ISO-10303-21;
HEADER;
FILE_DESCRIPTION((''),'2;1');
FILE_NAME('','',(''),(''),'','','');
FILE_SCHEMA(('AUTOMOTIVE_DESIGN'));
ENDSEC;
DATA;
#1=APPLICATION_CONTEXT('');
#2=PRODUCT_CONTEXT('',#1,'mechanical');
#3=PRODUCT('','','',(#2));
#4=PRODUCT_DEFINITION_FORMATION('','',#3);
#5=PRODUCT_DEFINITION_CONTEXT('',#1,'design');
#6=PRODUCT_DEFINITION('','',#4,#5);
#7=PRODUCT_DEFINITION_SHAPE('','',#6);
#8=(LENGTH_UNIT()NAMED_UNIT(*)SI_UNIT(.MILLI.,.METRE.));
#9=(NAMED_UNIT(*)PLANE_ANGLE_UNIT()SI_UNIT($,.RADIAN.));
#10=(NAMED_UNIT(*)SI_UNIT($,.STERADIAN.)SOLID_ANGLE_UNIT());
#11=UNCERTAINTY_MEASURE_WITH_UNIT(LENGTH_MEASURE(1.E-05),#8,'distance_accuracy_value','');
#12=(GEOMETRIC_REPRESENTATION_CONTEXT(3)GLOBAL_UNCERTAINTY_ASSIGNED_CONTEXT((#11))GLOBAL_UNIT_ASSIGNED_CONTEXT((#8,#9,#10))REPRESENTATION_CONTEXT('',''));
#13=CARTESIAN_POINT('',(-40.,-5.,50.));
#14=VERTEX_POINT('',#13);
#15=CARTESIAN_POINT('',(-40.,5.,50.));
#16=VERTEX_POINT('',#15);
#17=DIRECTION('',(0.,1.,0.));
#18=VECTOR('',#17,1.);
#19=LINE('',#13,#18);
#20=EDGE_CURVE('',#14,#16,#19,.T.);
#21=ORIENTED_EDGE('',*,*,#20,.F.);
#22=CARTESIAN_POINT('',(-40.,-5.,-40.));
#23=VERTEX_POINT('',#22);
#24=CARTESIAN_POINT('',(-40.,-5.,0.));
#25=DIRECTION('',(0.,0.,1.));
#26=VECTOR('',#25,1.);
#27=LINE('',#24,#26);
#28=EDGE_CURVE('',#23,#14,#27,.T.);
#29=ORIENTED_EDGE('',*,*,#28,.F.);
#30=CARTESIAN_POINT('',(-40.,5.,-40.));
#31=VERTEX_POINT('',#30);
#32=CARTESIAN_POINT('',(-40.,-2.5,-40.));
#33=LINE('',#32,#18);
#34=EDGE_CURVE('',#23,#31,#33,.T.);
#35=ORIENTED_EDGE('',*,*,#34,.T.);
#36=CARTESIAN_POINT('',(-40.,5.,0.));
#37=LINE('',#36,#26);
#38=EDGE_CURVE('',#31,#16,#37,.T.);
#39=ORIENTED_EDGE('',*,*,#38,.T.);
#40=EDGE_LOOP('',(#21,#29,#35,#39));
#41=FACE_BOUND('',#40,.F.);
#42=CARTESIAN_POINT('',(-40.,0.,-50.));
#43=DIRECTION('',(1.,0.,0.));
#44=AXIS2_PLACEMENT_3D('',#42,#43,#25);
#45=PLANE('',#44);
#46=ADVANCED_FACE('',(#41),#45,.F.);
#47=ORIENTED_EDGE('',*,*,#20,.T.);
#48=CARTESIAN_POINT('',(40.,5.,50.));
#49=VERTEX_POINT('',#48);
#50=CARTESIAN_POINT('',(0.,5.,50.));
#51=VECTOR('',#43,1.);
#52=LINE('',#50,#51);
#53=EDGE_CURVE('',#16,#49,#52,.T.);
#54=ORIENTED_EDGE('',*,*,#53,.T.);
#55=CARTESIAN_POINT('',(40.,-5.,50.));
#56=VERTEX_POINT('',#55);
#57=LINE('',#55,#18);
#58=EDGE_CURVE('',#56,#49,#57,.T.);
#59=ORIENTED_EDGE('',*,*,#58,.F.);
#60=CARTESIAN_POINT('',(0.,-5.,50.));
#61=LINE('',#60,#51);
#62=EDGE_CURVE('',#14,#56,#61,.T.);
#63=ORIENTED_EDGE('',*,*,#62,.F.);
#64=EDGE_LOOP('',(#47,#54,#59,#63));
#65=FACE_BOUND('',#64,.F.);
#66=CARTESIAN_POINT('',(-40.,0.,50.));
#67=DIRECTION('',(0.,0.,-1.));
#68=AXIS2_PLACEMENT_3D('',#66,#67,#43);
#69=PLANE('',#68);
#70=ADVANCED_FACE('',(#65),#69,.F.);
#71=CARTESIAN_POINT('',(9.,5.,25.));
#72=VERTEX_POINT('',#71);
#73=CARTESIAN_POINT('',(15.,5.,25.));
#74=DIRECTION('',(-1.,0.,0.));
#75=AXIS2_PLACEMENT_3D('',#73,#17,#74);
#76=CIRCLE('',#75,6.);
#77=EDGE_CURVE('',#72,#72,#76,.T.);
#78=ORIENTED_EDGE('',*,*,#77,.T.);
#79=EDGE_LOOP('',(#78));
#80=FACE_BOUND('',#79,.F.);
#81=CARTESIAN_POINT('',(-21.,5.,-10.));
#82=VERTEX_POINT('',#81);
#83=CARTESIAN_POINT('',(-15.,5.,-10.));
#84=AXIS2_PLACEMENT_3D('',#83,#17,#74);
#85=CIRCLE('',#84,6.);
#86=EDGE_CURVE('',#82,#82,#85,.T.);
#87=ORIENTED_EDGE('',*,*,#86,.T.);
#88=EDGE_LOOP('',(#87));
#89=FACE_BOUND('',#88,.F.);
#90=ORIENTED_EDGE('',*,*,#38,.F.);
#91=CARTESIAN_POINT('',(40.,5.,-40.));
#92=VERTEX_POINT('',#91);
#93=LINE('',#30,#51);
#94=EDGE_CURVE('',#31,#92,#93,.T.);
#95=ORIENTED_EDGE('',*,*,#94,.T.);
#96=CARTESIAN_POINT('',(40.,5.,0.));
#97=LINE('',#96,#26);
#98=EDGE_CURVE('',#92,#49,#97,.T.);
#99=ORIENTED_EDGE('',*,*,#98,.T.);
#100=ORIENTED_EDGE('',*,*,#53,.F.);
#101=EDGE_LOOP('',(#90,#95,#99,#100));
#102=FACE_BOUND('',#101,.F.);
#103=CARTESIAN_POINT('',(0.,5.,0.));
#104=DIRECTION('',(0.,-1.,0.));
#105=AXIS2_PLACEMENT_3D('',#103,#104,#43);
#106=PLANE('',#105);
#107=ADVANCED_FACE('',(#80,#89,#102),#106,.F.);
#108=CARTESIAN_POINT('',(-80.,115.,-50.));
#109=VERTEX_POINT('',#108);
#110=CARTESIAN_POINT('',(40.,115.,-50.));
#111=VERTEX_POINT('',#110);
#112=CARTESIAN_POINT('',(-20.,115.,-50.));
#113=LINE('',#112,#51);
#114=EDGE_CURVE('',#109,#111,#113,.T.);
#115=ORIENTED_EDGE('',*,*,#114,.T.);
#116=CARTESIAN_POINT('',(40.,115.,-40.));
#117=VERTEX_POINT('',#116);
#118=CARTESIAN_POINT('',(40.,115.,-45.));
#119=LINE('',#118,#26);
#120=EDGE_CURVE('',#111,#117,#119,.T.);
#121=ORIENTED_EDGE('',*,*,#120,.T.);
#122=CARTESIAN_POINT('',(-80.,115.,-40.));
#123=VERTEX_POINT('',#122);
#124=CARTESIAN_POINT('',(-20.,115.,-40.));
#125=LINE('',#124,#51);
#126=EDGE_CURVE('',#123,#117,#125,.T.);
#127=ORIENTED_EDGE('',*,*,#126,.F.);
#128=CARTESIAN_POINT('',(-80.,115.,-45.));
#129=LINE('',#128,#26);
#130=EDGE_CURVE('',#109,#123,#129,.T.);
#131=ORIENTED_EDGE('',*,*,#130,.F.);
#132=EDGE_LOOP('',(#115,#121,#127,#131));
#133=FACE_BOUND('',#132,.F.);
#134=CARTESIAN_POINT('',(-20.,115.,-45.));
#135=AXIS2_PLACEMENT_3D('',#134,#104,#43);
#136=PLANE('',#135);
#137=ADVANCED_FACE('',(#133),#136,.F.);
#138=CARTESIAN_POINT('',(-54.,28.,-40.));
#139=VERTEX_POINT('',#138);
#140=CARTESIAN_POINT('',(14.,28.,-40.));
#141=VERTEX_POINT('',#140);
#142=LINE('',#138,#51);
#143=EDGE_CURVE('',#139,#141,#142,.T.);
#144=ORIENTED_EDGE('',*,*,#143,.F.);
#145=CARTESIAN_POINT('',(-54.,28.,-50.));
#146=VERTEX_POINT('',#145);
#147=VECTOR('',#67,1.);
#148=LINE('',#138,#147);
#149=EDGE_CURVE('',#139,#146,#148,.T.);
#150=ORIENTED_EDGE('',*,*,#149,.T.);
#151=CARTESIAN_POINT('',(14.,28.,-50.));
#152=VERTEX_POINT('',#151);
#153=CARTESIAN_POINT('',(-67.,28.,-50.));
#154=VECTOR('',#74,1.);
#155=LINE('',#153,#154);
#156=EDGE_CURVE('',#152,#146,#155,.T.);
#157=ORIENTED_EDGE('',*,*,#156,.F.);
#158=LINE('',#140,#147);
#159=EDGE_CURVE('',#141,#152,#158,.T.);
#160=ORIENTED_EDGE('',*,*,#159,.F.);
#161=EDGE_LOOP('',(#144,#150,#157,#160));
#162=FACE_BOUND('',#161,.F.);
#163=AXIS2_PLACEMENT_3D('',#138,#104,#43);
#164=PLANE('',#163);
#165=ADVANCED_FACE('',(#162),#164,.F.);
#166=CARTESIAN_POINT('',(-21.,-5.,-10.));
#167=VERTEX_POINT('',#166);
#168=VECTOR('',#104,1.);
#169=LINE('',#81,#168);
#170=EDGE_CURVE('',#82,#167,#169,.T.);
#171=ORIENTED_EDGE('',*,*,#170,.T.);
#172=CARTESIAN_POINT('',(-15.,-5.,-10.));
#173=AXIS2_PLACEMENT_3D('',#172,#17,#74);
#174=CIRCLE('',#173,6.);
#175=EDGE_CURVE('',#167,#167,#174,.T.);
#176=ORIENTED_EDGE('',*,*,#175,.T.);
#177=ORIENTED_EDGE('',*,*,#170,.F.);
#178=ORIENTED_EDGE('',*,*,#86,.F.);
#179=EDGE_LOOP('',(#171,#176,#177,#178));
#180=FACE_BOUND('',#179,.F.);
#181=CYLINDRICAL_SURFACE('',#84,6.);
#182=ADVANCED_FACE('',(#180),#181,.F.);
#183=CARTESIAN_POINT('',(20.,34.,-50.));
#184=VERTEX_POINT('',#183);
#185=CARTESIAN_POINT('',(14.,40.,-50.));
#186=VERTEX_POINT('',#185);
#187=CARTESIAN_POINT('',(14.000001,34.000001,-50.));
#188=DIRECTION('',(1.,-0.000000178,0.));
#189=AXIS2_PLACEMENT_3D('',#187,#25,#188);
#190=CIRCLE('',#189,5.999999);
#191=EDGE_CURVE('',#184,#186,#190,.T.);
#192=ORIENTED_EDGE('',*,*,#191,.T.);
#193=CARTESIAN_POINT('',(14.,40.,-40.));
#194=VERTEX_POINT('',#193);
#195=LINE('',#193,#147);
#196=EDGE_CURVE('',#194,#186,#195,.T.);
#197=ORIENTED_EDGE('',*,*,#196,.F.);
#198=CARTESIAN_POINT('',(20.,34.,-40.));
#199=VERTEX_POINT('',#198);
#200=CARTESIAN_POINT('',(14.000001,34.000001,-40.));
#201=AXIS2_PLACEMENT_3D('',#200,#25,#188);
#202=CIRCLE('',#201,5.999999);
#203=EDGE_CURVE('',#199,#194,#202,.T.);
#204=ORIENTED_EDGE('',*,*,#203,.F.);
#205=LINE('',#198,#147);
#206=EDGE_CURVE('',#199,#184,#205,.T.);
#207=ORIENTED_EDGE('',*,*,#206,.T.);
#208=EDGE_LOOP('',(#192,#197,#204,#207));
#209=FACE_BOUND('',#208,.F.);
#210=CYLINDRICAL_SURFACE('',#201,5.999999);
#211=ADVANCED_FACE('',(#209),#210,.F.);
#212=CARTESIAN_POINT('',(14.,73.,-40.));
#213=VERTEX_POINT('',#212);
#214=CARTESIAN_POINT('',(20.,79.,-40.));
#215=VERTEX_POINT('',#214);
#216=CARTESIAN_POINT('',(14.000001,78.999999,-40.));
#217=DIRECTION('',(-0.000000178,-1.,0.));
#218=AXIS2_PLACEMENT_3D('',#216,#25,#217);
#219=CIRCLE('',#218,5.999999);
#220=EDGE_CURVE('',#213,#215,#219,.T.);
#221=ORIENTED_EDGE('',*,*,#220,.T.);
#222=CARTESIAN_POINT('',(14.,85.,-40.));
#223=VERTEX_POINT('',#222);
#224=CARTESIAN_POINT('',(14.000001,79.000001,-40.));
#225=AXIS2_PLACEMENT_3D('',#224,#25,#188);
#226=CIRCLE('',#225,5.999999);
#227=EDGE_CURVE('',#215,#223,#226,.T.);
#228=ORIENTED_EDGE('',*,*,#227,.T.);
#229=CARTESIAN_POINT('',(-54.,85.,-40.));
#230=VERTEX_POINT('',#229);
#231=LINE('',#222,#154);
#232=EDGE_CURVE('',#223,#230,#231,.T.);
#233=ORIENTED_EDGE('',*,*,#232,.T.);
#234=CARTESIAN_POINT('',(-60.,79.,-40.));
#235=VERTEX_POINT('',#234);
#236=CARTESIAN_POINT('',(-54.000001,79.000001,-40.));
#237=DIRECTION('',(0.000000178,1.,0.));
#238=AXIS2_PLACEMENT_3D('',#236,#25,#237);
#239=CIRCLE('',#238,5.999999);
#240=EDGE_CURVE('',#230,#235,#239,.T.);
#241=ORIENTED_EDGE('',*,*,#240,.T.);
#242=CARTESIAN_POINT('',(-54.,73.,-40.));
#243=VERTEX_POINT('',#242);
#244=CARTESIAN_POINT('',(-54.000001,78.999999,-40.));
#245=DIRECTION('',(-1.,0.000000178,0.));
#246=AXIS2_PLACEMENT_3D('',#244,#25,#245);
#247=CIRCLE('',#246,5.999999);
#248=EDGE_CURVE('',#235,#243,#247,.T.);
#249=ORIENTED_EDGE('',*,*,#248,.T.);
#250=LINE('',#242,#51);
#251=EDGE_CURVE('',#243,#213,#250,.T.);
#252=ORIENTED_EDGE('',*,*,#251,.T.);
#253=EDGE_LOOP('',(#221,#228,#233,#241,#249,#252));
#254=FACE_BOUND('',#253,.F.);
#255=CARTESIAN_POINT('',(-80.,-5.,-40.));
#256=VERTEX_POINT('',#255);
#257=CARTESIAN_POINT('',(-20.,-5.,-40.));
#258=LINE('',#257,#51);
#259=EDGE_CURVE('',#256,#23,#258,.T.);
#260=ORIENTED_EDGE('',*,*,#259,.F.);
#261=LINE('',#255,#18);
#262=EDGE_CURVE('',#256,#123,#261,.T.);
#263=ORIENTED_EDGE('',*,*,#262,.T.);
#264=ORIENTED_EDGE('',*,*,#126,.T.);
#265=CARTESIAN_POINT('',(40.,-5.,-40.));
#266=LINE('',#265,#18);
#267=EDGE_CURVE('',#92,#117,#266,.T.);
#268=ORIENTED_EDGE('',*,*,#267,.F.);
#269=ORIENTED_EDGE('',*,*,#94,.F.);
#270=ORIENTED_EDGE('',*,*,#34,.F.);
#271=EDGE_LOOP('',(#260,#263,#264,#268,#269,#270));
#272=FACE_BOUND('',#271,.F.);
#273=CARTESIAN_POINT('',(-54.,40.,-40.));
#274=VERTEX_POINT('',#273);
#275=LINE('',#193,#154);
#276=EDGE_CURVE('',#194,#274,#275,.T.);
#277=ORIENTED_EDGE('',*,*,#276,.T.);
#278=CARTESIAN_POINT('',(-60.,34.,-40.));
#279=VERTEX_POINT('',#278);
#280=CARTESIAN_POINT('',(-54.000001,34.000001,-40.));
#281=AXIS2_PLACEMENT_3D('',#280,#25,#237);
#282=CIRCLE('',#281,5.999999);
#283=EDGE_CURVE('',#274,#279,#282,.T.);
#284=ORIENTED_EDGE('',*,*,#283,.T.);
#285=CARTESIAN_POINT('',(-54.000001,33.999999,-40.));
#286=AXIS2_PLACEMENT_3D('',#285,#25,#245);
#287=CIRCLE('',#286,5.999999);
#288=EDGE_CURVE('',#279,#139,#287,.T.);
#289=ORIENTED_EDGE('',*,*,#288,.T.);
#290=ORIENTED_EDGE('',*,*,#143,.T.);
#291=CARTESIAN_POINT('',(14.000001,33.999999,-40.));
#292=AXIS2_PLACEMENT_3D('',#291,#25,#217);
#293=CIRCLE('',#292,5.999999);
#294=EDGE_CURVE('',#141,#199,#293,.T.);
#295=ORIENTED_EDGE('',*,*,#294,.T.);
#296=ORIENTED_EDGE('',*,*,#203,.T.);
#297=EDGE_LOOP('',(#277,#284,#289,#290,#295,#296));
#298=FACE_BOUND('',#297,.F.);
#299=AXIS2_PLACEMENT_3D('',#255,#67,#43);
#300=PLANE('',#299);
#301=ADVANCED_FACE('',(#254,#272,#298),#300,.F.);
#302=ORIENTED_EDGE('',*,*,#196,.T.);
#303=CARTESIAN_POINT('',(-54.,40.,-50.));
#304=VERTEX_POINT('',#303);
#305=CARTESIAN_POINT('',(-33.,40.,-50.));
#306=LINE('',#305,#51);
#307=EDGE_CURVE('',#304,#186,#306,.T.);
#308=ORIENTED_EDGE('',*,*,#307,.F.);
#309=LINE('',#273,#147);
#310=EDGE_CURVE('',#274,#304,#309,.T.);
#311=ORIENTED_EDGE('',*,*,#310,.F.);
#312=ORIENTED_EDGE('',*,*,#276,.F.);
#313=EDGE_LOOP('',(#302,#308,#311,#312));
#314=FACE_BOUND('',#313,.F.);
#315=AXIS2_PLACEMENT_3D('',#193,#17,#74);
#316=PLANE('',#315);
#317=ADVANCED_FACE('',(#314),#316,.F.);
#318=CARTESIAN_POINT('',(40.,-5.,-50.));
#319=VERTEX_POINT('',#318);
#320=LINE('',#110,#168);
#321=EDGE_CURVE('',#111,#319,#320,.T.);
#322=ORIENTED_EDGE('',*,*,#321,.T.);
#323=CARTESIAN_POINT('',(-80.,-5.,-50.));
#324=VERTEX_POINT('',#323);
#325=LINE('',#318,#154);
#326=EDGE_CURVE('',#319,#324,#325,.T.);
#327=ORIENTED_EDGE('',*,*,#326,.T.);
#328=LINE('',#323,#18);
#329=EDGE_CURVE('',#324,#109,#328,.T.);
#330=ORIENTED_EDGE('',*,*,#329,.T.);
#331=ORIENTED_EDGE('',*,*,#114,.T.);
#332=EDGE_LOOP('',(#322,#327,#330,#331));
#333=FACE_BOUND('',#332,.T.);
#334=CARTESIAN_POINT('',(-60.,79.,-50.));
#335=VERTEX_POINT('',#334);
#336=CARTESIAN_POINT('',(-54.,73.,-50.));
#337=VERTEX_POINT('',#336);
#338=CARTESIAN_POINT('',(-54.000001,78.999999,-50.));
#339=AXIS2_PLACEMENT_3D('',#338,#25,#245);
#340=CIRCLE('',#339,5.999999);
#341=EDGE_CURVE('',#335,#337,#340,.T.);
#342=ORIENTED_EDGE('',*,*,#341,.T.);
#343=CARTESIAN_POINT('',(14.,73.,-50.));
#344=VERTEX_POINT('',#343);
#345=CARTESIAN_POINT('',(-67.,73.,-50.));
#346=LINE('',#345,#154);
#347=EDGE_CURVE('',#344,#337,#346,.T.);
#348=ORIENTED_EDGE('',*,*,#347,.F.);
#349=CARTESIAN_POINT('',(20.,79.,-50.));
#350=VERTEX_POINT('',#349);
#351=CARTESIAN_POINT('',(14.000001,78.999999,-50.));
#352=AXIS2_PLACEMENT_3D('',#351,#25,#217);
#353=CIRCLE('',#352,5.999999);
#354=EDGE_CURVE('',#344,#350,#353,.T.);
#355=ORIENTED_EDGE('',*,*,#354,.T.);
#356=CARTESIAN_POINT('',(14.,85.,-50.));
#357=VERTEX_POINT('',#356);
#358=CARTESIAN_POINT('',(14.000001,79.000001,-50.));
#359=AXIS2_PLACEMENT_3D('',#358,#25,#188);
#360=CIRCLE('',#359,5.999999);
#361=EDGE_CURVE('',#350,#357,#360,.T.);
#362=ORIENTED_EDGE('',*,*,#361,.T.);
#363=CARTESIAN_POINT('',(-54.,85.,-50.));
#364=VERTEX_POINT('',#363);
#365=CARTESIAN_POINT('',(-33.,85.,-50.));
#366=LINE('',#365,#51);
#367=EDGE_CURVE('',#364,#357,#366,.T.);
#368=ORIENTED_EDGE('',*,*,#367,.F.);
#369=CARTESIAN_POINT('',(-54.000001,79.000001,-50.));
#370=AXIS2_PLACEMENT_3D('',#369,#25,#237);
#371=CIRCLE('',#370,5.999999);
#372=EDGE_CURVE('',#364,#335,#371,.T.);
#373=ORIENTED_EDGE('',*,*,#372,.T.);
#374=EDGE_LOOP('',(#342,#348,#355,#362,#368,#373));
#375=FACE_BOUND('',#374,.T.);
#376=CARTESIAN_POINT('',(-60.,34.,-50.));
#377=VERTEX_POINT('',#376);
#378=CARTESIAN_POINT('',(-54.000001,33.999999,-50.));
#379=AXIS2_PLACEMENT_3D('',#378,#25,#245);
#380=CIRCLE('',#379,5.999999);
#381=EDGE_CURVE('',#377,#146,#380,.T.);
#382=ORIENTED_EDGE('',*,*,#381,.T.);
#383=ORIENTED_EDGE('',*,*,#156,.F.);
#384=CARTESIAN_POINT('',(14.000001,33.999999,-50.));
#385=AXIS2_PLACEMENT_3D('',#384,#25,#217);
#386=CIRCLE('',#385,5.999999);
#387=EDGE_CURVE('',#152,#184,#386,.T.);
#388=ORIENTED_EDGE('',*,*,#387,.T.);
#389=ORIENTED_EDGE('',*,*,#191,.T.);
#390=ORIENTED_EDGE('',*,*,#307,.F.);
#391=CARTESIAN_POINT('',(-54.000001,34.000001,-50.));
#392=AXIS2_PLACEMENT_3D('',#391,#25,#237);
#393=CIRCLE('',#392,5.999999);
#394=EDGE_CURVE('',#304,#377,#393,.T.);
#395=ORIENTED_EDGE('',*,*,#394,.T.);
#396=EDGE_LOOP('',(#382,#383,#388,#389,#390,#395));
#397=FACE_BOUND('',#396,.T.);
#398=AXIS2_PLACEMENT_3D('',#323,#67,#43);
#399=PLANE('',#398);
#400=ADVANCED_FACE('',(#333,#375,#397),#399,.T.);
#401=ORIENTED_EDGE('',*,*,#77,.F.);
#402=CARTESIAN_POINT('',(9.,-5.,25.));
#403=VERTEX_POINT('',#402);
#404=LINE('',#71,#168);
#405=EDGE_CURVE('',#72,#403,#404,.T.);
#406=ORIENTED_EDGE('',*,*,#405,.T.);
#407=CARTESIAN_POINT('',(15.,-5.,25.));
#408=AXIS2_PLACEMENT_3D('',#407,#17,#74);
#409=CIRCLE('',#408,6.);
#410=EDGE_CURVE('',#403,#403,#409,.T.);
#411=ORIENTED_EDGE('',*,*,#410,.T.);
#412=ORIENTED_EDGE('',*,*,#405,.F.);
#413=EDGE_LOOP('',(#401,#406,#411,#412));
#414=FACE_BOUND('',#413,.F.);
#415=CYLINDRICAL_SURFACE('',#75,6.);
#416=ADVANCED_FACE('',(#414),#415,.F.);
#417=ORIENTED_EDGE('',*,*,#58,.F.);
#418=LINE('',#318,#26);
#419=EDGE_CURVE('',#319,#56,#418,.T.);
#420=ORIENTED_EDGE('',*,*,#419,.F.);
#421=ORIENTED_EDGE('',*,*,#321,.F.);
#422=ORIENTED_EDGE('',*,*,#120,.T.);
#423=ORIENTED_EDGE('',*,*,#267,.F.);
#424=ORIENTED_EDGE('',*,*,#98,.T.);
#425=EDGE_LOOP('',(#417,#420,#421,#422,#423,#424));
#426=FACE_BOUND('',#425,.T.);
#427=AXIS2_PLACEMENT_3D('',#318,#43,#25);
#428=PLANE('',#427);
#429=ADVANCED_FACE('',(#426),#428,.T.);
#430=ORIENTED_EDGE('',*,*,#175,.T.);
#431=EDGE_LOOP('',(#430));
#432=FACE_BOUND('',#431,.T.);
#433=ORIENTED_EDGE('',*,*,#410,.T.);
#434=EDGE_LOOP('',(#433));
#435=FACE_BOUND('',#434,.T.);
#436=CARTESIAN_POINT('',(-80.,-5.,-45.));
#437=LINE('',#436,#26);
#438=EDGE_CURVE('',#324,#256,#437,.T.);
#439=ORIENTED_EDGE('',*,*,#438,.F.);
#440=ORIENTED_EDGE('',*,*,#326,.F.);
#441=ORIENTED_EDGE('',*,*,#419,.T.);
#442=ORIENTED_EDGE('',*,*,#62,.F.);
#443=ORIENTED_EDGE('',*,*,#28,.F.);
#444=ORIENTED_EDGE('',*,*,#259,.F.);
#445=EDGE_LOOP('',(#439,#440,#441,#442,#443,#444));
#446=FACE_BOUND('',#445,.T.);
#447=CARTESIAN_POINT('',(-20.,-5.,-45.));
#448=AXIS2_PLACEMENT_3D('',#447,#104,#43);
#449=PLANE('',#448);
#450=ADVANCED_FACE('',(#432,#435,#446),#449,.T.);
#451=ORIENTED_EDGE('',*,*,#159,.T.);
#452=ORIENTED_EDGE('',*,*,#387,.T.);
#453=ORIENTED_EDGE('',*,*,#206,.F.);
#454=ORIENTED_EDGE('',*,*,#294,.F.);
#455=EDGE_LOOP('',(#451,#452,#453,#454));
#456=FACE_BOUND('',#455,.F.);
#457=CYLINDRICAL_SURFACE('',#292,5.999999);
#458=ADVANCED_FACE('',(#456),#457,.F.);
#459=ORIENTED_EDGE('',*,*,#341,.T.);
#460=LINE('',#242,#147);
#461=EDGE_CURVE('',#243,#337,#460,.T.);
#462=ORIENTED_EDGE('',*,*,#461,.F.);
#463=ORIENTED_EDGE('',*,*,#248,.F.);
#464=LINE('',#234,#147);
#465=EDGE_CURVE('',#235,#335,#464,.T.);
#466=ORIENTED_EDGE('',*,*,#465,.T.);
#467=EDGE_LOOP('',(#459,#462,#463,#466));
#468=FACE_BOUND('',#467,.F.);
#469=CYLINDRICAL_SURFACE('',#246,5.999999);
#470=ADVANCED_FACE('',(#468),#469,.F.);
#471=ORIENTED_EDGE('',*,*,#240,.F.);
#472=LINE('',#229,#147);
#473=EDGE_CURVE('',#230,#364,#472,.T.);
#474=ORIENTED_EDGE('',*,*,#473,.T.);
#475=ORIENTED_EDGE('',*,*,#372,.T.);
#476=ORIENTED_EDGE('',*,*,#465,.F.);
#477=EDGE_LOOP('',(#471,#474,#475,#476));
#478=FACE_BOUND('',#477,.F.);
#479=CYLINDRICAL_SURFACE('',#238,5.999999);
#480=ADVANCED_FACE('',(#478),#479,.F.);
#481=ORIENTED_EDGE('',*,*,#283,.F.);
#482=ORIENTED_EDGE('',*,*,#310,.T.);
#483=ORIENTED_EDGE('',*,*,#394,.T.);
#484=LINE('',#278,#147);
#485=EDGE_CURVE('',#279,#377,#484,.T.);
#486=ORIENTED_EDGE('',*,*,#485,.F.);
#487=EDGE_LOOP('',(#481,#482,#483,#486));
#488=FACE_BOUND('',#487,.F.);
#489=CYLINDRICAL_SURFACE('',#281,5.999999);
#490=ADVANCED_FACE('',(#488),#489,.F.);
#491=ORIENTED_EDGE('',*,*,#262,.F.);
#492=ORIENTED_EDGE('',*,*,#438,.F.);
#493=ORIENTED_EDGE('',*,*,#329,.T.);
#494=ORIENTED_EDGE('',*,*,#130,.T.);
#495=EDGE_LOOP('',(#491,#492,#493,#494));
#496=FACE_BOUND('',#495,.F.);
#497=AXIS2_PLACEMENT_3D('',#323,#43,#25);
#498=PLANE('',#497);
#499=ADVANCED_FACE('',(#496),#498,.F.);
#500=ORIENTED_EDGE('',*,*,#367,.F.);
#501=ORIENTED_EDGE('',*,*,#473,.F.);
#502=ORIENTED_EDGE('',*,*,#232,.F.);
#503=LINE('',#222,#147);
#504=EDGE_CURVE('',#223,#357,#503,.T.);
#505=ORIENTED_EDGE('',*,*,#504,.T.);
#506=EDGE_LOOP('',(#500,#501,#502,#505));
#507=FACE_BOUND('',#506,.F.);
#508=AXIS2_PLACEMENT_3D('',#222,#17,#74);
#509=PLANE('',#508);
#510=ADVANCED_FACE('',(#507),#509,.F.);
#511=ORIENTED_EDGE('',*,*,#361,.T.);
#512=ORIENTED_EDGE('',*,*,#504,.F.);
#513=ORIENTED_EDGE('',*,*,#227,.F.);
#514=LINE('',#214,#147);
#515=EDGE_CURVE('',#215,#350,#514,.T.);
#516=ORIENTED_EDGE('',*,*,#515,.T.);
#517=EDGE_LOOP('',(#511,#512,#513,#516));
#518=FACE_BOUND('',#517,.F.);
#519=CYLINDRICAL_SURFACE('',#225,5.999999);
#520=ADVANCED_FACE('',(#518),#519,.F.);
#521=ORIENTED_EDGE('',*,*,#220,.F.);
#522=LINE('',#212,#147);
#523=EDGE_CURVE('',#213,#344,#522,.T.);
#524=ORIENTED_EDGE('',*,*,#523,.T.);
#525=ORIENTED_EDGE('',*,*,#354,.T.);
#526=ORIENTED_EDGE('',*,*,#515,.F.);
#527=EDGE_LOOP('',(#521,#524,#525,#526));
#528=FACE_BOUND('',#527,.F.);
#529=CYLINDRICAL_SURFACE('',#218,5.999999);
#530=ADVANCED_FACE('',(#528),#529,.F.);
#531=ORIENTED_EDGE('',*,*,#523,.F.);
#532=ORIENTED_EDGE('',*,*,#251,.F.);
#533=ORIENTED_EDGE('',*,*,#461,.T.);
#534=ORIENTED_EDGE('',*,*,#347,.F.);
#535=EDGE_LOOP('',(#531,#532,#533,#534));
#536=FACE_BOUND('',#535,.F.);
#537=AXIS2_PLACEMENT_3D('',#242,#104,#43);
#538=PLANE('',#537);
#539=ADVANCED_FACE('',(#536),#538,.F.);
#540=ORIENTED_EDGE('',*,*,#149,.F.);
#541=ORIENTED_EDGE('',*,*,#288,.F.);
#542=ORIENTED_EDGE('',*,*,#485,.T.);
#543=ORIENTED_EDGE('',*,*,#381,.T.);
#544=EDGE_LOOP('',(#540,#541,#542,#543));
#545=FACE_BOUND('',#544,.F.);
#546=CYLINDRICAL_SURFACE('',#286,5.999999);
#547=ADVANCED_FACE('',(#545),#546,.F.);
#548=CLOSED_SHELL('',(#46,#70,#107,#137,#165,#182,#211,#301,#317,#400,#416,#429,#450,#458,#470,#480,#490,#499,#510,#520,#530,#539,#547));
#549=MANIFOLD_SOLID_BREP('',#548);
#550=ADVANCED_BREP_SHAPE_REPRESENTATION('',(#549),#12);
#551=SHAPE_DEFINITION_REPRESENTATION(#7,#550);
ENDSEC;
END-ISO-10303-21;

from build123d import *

# Parameters (mm, degrees)
F0_W     = 80
F0_H     = 100
F1_DEPTH = 5
F2_W     = 120
F2_H     = 10
F3_DEPTH = 120
F5_DEPTH = 25
F6_R     = 6
F7_DEPTH = 25


with BuildPart() as f1:
    # F0 (on Front) → F1 (new body, symmetric)
    with BuildSketch(Plane.XZ):
        Rectangle(F0_W, F0_H)
    extrude(amount=F1_DEPTH, both=True)

    # F2 (on face) → F3 (join)
    with BuildSketch(Plane.XZ.offset(5)):
        with Locations((-20, -45)):
            Rectangle(F2_W, F2_H)
    extrude(amount=-F3_DEPTH)

    # F4 (on face) → F5 (cut)
    with BuildSketch(Plane.XY.offset(-40)):
        with BuildLine():
            ThreePointArc((20, 79), (18.242641, 83.242641), (14, 85))
            Line((14, 85), (-54, 85))
            ThreePointArc((-54, 85), (-58.242641, 83.242641), (-60, 79))
            ThreePointArc((-60, 79), (-58.242641, 74.757359), (-54, 73))
            Line((-54, 73), (14, 73))
            ThreePointArc((14, 73), (18.242641, 74.757359), (20, 79))
        make_face()
        with BuildLine():
            Line((-54, 28), (14, 28))
            ThreePointArc((14, 28), (18.242641, 29.757359), (20, 34))
            ThreePointArc((20, 34), (18.242641, 38.242641), (14, 40))
            Line((14, 40), (-54, 40))
            ThreePointArc((-54, 40), (-58.242641, 38.242641), (-60, 34))
            ThreePointArc((-60, 34), (-58.242641, 29.757359), (-54, 28))
        make_face()
    extrude(amount=-F5_DEPTH, mode=Mode.SUBTRACT)

    # F6 (on face) → F7 (cut)
    with BuildSketch(Plane(origin=(0, 5, 0), x_dir=(-1, 0, 0), z_dir=(0, 1, 0))):
        with Locations((-15, 25)):
            Circle(F6_R)
        with Locations((15, -10)):
            Circle(F6_R)
    extrude(amount=-F7_DEPTH, mode=Mode.SUBTRACT)


solid = f1.part
